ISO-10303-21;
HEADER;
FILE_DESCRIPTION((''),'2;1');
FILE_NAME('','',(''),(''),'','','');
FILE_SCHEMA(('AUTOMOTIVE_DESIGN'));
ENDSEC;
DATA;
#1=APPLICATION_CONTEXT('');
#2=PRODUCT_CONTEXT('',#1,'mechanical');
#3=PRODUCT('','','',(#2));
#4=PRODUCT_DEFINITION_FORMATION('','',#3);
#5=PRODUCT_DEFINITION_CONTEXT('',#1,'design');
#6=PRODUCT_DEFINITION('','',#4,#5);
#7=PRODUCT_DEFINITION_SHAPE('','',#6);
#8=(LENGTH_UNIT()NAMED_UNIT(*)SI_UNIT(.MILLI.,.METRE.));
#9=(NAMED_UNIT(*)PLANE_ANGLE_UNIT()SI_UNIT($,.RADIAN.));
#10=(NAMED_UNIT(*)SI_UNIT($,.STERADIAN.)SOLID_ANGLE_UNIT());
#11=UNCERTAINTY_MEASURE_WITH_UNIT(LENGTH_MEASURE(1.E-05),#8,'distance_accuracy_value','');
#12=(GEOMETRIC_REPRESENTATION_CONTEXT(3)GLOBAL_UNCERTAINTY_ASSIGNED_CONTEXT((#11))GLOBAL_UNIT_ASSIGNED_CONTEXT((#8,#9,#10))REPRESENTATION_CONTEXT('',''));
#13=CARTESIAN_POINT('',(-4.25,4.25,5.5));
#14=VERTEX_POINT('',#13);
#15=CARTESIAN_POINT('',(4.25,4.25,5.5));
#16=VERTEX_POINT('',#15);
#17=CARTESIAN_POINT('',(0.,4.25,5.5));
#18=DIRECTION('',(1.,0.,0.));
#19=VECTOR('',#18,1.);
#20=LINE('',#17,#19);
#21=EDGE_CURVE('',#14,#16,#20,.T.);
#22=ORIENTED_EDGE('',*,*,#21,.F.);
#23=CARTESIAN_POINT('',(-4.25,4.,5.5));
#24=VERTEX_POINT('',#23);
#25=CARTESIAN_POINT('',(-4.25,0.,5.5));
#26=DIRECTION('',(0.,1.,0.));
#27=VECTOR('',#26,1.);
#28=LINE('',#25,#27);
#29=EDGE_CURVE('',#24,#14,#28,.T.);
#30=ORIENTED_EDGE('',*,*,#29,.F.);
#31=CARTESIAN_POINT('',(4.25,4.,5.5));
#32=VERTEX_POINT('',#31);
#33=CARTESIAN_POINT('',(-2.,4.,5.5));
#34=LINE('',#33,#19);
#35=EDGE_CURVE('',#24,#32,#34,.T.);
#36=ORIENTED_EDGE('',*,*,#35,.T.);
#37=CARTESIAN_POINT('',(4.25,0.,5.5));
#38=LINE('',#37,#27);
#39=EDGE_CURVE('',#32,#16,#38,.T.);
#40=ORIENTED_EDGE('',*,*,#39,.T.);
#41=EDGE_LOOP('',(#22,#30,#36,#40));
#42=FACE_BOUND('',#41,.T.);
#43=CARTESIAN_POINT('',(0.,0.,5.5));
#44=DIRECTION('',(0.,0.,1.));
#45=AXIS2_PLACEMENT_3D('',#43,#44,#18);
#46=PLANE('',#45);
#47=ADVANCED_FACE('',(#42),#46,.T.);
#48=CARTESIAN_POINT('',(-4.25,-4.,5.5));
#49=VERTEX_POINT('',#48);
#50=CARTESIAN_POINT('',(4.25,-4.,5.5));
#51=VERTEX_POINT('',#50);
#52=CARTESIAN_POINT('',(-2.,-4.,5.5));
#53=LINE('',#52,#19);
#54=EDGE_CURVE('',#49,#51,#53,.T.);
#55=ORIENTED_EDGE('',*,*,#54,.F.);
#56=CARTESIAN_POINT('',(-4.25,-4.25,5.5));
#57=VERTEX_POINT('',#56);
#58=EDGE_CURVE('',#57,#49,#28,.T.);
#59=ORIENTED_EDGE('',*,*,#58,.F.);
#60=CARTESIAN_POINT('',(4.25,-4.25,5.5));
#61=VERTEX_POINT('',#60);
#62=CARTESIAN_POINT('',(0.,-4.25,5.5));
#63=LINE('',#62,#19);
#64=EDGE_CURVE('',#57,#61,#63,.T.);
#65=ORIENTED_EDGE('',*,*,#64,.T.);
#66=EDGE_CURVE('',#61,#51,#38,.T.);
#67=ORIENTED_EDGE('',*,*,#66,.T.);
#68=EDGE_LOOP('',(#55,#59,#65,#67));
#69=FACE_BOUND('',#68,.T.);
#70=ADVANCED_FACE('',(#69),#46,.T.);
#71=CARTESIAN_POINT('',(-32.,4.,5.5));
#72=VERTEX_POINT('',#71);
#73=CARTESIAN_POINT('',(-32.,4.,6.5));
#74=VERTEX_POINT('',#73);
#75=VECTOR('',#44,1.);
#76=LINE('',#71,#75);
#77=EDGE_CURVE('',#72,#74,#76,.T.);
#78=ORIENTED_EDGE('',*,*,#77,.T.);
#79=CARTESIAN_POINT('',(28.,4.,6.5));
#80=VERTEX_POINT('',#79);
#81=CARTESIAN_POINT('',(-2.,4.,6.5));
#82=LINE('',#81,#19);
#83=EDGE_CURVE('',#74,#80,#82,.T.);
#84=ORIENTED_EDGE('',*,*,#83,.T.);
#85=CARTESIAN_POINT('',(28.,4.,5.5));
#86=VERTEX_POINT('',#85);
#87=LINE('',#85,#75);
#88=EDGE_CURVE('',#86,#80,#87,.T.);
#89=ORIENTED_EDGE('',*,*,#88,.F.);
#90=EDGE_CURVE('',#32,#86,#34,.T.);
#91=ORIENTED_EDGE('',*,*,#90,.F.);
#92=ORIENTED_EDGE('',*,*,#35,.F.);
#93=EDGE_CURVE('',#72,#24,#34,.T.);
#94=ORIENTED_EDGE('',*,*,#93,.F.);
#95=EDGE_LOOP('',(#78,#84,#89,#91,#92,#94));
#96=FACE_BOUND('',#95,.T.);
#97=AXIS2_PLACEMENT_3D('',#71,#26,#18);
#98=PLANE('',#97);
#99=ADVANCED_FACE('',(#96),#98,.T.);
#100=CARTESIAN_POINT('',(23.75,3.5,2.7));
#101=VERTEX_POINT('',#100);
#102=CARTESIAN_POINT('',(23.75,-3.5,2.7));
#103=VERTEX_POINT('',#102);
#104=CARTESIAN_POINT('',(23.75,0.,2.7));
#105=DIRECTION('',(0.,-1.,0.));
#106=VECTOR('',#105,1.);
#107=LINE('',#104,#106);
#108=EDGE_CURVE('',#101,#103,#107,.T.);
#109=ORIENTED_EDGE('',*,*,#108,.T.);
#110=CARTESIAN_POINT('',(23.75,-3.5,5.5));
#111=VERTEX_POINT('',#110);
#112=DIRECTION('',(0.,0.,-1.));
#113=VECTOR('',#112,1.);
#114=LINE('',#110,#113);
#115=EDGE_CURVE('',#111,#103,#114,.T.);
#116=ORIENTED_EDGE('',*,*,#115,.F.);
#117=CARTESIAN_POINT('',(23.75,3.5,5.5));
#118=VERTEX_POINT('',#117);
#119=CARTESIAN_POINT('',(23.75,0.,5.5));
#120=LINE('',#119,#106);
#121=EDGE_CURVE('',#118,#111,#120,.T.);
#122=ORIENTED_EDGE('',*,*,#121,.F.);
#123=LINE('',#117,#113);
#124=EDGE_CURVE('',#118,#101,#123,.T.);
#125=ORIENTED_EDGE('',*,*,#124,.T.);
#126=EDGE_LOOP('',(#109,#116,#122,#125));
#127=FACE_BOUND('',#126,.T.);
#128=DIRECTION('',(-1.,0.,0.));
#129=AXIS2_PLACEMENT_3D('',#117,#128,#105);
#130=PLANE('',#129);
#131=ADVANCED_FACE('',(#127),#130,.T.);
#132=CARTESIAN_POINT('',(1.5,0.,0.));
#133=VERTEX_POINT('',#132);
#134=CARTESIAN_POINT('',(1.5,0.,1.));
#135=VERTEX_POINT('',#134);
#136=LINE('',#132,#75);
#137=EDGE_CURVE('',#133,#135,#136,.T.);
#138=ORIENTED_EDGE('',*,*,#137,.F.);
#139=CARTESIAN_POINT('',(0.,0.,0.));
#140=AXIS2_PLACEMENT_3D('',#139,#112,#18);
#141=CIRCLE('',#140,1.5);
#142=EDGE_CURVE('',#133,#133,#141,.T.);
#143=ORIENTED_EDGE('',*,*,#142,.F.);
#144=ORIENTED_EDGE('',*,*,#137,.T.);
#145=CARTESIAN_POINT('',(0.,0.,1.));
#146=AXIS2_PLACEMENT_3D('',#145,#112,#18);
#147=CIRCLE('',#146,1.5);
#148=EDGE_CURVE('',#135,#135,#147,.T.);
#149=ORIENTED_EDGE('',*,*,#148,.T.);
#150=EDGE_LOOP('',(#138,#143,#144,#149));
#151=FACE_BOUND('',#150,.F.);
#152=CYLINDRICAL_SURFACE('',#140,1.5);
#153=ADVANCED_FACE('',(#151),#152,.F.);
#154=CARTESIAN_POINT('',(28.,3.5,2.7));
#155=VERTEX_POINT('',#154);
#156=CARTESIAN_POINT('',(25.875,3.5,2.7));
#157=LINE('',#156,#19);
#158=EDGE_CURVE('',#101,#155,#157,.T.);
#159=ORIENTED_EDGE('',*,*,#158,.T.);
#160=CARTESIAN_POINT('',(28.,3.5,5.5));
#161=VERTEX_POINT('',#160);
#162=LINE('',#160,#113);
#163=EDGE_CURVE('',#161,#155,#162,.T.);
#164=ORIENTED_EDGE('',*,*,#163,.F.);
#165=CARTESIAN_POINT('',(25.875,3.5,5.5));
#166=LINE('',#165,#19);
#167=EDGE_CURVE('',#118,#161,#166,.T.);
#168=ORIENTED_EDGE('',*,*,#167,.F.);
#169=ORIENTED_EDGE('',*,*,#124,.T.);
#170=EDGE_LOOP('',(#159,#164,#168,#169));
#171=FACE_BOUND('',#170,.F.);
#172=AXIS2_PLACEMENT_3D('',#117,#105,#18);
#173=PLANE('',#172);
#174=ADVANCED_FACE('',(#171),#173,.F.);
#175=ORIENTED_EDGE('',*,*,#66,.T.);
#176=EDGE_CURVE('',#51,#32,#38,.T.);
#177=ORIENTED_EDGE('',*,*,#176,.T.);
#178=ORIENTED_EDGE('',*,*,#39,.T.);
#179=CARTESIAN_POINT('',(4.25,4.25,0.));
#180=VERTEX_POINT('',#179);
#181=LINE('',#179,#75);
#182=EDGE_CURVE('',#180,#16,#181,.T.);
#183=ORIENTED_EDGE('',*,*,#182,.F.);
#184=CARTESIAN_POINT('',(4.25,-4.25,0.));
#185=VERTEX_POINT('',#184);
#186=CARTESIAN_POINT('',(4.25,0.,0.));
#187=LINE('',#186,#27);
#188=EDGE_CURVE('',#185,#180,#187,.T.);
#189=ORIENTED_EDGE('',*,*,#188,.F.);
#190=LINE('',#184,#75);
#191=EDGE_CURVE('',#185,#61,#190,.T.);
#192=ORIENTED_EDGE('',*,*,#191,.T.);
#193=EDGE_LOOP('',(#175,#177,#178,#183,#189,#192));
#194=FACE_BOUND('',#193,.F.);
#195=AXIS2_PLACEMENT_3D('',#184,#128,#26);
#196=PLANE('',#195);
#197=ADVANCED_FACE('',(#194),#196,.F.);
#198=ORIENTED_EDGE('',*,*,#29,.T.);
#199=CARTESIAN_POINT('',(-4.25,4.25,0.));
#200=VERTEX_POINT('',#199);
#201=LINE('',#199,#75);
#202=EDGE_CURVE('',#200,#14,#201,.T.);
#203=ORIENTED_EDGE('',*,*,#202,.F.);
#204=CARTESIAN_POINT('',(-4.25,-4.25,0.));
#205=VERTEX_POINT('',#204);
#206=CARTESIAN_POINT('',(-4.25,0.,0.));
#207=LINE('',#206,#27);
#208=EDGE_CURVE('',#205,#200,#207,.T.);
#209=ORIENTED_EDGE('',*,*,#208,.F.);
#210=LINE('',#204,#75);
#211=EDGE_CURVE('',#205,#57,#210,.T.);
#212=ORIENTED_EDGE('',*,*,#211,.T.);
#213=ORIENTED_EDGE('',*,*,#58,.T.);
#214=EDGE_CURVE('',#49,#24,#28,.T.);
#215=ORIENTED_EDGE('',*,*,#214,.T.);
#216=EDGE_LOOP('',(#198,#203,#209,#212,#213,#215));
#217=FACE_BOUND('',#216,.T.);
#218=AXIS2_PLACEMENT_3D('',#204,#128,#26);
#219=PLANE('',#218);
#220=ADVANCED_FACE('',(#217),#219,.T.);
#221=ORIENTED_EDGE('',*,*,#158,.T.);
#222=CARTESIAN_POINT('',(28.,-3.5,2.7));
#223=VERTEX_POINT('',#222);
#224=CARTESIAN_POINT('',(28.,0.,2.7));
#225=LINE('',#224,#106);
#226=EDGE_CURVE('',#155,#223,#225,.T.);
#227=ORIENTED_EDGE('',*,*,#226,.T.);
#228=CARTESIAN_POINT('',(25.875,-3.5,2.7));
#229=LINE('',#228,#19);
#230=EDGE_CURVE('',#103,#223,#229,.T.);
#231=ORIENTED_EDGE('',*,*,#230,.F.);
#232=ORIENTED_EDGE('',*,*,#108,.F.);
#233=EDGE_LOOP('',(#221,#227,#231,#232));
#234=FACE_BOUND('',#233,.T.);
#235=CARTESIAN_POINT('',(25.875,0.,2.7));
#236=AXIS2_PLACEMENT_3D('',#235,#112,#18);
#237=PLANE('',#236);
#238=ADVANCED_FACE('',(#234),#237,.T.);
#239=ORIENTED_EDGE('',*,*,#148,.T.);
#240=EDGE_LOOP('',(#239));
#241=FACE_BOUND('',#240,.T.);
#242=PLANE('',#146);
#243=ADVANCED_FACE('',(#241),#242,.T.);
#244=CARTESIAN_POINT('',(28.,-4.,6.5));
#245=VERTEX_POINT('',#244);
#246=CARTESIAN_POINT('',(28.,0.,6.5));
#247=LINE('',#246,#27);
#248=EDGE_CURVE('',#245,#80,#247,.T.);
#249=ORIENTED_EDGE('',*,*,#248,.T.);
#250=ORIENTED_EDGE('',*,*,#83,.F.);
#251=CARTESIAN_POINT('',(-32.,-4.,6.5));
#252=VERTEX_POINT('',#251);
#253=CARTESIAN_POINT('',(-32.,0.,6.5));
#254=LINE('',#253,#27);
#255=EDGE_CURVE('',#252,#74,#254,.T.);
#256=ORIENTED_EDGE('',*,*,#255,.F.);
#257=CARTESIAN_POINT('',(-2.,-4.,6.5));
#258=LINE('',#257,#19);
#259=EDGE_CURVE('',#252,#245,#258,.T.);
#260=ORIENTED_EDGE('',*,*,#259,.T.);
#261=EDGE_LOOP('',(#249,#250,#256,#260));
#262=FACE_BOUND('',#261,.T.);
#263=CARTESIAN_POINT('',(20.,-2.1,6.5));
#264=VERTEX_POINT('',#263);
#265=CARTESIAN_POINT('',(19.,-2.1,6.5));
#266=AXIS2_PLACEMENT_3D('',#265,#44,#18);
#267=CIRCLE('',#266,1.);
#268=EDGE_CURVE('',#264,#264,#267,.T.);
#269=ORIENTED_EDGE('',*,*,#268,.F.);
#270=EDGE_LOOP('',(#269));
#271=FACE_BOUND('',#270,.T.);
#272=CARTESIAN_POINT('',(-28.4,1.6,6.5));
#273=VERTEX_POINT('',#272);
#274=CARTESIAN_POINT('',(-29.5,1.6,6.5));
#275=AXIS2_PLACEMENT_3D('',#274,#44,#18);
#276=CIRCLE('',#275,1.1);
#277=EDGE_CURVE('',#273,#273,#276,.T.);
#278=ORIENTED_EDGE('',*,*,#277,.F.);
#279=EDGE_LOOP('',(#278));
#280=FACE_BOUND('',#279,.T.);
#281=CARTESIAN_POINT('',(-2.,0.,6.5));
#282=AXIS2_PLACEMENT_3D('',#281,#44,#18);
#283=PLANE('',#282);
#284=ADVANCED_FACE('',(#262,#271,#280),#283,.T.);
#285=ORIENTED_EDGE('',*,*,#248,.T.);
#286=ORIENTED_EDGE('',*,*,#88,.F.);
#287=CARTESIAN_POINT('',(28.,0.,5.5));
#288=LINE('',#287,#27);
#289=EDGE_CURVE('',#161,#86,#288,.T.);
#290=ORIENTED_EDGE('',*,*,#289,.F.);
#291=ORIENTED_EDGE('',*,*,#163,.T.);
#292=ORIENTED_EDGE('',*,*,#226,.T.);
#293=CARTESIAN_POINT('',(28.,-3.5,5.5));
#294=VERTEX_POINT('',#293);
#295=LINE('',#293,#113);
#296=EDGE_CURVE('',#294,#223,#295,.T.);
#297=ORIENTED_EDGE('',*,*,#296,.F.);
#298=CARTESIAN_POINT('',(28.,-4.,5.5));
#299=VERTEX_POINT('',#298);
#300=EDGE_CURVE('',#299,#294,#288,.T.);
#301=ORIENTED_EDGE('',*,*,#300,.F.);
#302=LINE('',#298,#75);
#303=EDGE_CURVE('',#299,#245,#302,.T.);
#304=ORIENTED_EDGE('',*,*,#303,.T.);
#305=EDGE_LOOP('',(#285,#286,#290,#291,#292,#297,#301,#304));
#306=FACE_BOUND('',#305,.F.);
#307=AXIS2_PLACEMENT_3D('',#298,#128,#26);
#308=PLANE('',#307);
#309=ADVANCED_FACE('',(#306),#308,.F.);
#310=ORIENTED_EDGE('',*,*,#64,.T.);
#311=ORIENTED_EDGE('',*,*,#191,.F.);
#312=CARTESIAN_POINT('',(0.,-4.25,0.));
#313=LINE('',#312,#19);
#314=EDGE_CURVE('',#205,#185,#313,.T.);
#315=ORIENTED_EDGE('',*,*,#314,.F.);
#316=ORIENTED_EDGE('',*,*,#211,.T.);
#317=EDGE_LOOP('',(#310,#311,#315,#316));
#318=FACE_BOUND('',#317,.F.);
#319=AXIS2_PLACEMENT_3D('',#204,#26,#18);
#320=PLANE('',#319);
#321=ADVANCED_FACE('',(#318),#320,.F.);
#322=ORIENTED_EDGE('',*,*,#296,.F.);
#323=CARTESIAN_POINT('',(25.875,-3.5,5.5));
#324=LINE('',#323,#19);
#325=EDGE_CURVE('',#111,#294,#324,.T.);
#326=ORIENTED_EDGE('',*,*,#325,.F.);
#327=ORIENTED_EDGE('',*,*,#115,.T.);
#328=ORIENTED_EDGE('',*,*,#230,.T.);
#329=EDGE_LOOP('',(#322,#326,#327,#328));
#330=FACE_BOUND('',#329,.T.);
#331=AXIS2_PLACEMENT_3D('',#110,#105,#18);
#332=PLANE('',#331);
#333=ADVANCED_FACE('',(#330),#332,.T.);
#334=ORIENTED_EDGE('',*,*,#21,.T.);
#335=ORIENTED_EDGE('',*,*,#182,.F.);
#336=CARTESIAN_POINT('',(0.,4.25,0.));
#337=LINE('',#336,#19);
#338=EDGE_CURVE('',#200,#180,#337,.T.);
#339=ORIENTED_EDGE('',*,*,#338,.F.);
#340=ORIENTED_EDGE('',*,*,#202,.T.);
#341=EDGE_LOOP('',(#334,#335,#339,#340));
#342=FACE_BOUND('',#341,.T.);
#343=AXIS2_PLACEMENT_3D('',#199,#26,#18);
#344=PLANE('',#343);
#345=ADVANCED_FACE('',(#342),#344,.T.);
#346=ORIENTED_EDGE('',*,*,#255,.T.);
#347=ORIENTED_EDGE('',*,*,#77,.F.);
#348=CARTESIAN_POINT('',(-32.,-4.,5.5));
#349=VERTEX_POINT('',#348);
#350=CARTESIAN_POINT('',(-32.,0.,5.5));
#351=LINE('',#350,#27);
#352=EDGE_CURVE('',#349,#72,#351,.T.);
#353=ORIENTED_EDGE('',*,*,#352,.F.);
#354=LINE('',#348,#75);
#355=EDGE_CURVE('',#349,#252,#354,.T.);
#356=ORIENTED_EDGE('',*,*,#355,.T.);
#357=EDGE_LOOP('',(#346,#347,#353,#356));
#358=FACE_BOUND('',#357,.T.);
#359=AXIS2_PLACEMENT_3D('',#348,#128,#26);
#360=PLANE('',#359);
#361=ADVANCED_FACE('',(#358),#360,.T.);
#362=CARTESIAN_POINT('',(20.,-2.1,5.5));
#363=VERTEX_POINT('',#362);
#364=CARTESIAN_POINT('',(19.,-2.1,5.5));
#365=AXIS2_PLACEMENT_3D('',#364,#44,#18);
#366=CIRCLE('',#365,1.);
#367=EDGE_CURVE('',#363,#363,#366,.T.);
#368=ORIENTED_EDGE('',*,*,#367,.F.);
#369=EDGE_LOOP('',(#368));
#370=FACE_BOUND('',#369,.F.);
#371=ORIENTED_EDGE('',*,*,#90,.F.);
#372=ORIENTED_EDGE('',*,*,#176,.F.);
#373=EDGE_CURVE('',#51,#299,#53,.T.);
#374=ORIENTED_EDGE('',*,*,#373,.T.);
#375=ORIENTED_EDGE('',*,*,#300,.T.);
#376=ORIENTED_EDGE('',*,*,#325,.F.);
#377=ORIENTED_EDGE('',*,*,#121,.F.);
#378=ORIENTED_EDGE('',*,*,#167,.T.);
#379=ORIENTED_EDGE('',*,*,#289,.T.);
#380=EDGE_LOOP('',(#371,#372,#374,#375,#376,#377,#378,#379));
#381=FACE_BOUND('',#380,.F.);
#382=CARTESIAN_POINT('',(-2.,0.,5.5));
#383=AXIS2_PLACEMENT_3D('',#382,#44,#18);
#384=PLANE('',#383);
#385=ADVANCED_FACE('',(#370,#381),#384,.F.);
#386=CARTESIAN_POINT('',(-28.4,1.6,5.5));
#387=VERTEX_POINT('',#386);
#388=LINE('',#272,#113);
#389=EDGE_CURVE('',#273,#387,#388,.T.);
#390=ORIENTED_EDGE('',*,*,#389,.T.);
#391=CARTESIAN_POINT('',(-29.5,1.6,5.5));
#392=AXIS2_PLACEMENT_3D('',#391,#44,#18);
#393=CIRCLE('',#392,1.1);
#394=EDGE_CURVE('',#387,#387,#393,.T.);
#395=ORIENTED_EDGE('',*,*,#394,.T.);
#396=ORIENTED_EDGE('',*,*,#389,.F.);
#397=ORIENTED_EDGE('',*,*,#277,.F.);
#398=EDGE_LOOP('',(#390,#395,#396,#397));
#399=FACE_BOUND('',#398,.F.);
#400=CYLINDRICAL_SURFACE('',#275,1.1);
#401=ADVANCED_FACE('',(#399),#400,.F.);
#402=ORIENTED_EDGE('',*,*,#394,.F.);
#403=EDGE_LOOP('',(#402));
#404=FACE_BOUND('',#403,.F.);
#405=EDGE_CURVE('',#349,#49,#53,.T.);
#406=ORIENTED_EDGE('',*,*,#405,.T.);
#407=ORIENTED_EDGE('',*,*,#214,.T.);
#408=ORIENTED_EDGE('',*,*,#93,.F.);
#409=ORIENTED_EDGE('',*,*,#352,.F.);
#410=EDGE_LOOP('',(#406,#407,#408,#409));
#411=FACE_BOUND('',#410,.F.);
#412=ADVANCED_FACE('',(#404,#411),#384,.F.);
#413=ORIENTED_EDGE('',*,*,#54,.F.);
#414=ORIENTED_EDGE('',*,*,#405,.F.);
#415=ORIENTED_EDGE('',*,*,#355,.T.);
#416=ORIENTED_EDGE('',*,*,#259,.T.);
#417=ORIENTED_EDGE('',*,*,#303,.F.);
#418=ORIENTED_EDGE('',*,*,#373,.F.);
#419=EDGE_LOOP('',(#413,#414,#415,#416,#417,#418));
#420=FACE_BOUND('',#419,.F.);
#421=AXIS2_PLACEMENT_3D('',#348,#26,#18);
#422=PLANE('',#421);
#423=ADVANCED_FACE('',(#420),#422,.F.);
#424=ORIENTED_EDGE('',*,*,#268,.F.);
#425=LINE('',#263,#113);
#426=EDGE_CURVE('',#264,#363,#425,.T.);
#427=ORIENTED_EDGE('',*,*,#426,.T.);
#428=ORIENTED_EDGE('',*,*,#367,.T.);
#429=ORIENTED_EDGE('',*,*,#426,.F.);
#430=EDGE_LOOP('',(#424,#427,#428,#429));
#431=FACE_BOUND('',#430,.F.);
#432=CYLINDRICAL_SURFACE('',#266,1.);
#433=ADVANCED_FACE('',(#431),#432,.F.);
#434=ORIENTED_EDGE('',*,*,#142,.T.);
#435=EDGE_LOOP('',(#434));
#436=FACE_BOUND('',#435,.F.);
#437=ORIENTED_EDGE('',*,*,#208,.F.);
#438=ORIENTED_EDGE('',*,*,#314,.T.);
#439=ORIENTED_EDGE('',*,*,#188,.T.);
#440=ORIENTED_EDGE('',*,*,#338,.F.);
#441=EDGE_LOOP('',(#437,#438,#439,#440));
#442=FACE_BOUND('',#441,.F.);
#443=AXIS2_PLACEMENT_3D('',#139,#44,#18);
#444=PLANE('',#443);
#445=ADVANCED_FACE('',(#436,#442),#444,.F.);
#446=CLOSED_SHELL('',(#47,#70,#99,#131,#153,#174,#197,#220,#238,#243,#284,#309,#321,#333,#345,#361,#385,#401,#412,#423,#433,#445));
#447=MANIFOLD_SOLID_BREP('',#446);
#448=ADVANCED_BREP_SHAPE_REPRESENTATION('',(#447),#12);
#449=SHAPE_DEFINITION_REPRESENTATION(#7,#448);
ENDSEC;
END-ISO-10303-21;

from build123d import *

# Parameters (mm, degrees)
SKETCH_W        = 8.5
SKETCH_H        = 8.5
PAD_DEPTH       = 5.5
SKETCH001_W     = 60
SKETCH001_H     = 8
PAD001_DEPTH    = 1
SKETCH002_R     = 1
SKETCH002_R_2   = 1.1
POCKET_DEPTH    = 6.501
SKETCH003_W     = 4.25
SKETCH003_H     = 7
PAD002_DEPTH    = 2.8
SKETCH004_R     = 1.5
POCKET001_DEPTH = 1


with BuildPart() as part:
    # Sketch → Pad (new body)
    with BuildSketch(Plane.XY):
        Rectangle(SKETCH_W, SKETCH_H)
    extrude(amount=PAD_DEPTH)

    # Sketch001 → Pad001 (new body)
    with BuildSketch(Plane.XY.offset(5.5)):
        with Locations((-2, 0)):
            Rectangle(SKETCH001_W, SKETCH001_H)
    extrude(amount=PAD001_DEPTH)

    # Sketch002 → Pocket (cut, through all)
    with BuildSketch(Plane.XY.offset(6.5)):
        with Locations((19, -2.1)):
            Circle(SKETCH002_R)
        with Locations((-29.5, 1.6)):
            Circle(SKETCH002_R_2)
    extrude(amount=-POCKET_DEPTH, mode=Mode.SUBTRACT)

    # Sketch003 → Pad002 (new body)
    with BuildSketch(Plane(origin=(0, 0, 5.5), x_dir=(1, 0, 0), z_dir=(0, 0, -1))):
        with Locations((25.875, 0)):
            Rectangle(SKETCH003_W, SKETCH003_H)
    extrude(amount=PAD002_DEPTH)

    # Sketch004 → Pocket001 (cut)
    with BuildSketch(Plane(origin=(0, 0, 0), x_dir=(1, 0, 0), z_dir=(0, 0, -1))):
        Circle(SKETCH004_R)
    extrude(amount=-POCKET001_DEPTH, mode=Mode.SUBTRACT)


solid = part.part
